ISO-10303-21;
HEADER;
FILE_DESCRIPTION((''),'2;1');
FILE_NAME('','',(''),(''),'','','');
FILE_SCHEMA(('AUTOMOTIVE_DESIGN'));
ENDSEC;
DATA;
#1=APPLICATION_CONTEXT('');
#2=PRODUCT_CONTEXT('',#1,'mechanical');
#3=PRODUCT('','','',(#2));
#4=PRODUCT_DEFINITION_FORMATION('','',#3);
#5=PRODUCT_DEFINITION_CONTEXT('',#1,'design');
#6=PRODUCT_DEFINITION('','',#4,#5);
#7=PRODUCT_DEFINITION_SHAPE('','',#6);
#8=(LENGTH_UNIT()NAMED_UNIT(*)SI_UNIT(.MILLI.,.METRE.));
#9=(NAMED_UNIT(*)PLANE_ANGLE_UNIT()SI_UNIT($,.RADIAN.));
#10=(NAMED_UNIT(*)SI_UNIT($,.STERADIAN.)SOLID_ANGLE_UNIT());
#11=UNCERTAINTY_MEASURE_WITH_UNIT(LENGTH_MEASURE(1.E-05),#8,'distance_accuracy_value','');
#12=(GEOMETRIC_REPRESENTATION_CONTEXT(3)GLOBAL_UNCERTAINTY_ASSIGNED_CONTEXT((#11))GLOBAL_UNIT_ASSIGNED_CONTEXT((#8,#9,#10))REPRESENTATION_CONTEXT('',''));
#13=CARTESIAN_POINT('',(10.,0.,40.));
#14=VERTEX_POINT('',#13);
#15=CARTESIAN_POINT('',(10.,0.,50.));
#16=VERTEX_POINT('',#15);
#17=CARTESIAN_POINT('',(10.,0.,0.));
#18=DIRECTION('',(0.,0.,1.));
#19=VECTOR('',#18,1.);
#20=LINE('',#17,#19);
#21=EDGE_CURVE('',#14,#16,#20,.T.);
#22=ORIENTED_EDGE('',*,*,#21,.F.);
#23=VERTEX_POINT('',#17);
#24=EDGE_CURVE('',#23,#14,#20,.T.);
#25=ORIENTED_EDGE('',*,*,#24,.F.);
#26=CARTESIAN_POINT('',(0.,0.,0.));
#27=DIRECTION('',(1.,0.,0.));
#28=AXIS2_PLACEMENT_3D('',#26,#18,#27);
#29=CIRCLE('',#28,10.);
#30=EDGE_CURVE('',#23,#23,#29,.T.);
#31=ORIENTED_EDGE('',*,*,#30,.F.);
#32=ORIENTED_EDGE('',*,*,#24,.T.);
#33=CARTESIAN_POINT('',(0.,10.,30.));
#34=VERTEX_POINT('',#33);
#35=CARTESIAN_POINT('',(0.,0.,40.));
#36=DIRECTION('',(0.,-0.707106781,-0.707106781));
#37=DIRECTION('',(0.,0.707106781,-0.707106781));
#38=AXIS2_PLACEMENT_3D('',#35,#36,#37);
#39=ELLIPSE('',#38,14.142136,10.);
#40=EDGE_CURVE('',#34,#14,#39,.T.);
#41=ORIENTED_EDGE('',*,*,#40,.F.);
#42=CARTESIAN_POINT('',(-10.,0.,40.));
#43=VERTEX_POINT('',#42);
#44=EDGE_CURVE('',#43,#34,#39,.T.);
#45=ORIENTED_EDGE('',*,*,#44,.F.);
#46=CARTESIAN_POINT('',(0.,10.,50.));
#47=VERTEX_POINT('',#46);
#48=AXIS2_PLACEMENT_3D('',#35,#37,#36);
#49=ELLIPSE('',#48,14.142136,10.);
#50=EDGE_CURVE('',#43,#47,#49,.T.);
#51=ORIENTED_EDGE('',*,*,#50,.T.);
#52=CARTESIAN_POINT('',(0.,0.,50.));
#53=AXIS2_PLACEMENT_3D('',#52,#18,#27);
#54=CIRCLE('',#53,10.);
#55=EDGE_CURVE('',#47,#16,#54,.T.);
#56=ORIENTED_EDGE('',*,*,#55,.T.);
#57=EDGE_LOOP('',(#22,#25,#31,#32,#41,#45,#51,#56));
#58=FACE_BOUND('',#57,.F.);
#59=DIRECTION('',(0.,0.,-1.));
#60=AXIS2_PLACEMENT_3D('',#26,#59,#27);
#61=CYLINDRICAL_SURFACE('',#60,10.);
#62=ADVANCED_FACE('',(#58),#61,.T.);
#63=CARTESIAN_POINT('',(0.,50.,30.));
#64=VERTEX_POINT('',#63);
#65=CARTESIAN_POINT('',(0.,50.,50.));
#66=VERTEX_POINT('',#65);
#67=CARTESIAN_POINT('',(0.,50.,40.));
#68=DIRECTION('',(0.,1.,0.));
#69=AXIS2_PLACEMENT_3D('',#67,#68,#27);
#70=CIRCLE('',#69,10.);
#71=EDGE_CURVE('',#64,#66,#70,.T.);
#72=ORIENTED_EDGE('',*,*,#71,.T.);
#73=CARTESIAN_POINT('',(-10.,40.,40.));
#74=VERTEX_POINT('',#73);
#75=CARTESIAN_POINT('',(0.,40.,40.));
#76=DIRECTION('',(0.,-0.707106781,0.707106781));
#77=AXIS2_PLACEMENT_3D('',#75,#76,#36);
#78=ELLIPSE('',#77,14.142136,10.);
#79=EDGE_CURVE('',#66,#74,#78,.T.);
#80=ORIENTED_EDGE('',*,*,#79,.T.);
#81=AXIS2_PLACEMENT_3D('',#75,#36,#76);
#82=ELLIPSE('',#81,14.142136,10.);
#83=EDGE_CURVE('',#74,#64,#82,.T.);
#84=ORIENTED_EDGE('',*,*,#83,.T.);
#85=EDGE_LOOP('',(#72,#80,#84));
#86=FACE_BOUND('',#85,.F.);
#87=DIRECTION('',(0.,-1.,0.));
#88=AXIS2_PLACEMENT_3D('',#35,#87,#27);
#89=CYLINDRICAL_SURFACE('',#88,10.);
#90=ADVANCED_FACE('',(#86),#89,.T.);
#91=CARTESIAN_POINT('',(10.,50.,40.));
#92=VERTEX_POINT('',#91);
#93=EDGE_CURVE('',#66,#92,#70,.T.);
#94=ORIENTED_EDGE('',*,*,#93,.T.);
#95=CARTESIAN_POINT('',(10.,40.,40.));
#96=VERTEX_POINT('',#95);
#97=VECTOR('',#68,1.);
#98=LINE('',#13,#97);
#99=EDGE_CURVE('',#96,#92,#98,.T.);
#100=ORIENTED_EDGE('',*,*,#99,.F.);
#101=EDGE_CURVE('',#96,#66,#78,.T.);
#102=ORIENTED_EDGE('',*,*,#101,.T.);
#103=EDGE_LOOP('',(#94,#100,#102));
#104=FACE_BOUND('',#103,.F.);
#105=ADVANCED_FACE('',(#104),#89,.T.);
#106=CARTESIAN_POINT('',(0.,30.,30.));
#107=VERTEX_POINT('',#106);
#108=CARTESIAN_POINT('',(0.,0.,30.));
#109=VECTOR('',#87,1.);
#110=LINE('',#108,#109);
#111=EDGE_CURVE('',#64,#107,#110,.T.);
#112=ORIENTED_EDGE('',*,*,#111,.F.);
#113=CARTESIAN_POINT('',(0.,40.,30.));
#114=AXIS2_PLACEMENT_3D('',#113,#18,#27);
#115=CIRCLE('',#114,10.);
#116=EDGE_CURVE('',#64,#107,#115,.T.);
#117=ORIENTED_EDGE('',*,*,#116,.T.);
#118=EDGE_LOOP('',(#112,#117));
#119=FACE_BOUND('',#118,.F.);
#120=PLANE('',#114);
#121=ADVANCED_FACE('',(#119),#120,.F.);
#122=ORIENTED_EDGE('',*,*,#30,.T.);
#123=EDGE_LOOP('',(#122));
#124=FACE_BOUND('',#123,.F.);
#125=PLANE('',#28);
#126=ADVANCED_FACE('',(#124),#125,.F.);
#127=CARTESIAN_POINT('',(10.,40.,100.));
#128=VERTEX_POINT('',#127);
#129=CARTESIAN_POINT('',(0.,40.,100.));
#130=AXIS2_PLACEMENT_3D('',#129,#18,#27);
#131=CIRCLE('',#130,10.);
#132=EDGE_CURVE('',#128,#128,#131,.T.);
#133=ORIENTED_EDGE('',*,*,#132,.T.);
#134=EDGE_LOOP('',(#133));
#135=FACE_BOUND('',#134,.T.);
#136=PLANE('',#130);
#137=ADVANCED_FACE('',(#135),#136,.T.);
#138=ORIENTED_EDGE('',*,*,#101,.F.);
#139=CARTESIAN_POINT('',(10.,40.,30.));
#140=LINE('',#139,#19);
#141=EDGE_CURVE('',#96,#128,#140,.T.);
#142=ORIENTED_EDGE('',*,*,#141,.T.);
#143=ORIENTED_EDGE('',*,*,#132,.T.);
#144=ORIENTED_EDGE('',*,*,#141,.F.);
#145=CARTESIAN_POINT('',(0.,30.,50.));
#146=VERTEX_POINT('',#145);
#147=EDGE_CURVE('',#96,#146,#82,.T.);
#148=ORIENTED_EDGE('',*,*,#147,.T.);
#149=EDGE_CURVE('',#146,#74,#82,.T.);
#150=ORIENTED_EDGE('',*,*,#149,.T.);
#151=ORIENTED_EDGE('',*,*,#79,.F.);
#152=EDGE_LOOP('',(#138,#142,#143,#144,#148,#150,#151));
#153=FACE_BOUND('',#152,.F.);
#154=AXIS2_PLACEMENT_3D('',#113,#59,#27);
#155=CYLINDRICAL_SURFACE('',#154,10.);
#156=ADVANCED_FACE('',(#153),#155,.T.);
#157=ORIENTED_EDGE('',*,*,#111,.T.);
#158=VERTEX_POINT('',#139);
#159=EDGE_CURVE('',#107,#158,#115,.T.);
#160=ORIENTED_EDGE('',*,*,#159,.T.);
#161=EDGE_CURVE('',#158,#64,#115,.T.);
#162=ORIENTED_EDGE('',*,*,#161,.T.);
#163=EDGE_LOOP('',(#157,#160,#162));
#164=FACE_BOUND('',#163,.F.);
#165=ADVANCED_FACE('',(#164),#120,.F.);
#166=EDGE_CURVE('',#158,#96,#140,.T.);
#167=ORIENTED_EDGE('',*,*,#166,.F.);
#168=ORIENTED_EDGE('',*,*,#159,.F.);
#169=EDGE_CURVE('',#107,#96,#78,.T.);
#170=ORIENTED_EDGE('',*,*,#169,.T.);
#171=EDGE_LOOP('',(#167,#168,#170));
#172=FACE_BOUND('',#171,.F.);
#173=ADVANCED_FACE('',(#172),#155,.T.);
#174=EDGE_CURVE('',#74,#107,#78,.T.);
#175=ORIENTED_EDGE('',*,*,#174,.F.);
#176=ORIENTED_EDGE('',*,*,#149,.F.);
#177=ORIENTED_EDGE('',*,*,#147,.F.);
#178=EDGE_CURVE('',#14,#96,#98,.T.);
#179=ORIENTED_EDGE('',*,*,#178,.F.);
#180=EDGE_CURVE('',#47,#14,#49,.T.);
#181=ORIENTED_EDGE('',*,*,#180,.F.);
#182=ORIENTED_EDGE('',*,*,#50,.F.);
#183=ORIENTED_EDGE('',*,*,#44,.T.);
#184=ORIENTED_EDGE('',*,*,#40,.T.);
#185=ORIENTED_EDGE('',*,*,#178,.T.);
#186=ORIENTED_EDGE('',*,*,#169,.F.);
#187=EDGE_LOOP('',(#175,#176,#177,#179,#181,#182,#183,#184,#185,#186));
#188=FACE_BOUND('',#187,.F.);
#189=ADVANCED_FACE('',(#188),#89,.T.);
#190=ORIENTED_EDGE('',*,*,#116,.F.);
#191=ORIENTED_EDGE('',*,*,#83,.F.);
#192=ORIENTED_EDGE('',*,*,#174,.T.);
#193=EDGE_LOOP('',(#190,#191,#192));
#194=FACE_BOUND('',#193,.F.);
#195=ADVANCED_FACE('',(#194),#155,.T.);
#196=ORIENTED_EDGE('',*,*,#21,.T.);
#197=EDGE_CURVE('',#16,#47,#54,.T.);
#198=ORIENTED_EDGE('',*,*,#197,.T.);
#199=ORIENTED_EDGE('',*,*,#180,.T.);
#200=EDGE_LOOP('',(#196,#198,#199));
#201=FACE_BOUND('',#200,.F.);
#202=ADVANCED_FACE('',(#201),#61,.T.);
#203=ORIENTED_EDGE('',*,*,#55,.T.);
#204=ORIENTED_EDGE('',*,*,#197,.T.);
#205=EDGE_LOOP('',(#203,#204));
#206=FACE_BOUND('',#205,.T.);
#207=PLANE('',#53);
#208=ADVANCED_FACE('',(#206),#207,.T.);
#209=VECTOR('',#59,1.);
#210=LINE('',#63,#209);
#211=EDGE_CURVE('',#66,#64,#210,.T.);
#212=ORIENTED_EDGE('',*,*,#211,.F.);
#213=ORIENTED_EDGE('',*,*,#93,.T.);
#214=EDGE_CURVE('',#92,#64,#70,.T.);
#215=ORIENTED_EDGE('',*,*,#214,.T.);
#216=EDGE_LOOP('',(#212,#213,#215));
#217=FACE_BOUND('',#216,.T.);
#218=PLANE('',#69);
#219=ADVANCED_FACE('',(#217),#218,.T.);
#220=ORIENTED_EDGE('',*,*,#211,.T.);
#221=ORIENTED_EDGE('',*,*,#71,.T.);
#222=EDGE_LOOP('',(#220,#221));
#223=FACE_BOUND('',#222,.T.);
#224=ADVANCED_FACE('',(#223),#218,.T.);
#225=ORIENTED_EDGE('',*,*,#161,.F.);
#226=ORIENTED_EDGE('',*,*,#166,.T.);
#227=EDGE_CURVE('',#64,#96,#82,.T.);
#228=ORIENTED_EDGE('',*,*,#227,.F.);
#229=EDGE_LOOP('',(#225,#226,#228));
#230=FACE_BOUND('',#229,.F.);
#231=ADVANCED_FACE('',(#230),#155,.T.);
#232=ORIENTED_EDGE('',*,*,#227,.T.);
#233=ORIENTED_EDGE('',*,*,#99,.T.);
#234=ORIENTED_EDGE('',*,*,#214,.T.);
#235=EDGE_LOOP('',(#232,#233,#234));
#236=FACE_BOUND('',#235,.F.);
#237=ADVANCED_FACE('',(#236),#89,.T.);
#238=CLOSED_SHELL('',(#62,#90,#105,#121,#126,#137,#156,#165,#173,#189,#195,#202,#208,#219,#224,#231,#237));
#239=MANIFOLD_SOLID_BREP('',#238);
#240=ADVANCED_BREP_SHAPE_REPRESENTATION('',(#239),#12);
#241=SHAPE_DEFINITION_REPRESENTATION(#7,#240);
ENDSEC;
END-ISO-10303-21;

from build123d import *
from build123d.topology import SkipClean

# Parameters (mm, degrees)
SKETCH1_R           = 10
BOSS_EXTRUDE1_DEPTH = 50
SKETCH2_R           = 10
BOSS_EXTRUDE2_DEPTH = 50
BOSS_EXTRUDE3_START = 30
SKETCH4_R           = 10
BOSS_EXTRUDE3_DEPTH = 70


with BuildPart() as part:
    # Sketch1 → Boss-Extrude1 (new body)
    with BuildSketch(Plane.XY):
        Circle(SKETCH1_R)
    extrude(amount=BOSS_EXTRUDE1_DEPTH)

    # Sketch2 → Boss-Extrude2 (add)
    with SkipClean():  # the faces are left unmerged after this step: merging them gives an invalid solid
        with BuildSketch(Plane(origin=(0, 0, 0), x_dir=(1, 0, 0), z_dir=(0, 1, 0))):
            with Locations((0, -40)):
                Circle(SKETCH2_R)
        extrude(amount=BOSS_EXTRUDE2_DEPTH)

    # Sketch4 → Boss-Extrude3 (add)
    with SkipClean():  # the faces are left unmerged after this step: merging them gives an invalid solid
        with BuildSketch(Plane.XY.offset(BOSS_EXTRUDE3_START)):
            with Locations((0, 40)):
                Circle(SKETCH4_R)
        extrude(amount=BOSS_EXTRUDE3_DEPTH)


solid = part.part
